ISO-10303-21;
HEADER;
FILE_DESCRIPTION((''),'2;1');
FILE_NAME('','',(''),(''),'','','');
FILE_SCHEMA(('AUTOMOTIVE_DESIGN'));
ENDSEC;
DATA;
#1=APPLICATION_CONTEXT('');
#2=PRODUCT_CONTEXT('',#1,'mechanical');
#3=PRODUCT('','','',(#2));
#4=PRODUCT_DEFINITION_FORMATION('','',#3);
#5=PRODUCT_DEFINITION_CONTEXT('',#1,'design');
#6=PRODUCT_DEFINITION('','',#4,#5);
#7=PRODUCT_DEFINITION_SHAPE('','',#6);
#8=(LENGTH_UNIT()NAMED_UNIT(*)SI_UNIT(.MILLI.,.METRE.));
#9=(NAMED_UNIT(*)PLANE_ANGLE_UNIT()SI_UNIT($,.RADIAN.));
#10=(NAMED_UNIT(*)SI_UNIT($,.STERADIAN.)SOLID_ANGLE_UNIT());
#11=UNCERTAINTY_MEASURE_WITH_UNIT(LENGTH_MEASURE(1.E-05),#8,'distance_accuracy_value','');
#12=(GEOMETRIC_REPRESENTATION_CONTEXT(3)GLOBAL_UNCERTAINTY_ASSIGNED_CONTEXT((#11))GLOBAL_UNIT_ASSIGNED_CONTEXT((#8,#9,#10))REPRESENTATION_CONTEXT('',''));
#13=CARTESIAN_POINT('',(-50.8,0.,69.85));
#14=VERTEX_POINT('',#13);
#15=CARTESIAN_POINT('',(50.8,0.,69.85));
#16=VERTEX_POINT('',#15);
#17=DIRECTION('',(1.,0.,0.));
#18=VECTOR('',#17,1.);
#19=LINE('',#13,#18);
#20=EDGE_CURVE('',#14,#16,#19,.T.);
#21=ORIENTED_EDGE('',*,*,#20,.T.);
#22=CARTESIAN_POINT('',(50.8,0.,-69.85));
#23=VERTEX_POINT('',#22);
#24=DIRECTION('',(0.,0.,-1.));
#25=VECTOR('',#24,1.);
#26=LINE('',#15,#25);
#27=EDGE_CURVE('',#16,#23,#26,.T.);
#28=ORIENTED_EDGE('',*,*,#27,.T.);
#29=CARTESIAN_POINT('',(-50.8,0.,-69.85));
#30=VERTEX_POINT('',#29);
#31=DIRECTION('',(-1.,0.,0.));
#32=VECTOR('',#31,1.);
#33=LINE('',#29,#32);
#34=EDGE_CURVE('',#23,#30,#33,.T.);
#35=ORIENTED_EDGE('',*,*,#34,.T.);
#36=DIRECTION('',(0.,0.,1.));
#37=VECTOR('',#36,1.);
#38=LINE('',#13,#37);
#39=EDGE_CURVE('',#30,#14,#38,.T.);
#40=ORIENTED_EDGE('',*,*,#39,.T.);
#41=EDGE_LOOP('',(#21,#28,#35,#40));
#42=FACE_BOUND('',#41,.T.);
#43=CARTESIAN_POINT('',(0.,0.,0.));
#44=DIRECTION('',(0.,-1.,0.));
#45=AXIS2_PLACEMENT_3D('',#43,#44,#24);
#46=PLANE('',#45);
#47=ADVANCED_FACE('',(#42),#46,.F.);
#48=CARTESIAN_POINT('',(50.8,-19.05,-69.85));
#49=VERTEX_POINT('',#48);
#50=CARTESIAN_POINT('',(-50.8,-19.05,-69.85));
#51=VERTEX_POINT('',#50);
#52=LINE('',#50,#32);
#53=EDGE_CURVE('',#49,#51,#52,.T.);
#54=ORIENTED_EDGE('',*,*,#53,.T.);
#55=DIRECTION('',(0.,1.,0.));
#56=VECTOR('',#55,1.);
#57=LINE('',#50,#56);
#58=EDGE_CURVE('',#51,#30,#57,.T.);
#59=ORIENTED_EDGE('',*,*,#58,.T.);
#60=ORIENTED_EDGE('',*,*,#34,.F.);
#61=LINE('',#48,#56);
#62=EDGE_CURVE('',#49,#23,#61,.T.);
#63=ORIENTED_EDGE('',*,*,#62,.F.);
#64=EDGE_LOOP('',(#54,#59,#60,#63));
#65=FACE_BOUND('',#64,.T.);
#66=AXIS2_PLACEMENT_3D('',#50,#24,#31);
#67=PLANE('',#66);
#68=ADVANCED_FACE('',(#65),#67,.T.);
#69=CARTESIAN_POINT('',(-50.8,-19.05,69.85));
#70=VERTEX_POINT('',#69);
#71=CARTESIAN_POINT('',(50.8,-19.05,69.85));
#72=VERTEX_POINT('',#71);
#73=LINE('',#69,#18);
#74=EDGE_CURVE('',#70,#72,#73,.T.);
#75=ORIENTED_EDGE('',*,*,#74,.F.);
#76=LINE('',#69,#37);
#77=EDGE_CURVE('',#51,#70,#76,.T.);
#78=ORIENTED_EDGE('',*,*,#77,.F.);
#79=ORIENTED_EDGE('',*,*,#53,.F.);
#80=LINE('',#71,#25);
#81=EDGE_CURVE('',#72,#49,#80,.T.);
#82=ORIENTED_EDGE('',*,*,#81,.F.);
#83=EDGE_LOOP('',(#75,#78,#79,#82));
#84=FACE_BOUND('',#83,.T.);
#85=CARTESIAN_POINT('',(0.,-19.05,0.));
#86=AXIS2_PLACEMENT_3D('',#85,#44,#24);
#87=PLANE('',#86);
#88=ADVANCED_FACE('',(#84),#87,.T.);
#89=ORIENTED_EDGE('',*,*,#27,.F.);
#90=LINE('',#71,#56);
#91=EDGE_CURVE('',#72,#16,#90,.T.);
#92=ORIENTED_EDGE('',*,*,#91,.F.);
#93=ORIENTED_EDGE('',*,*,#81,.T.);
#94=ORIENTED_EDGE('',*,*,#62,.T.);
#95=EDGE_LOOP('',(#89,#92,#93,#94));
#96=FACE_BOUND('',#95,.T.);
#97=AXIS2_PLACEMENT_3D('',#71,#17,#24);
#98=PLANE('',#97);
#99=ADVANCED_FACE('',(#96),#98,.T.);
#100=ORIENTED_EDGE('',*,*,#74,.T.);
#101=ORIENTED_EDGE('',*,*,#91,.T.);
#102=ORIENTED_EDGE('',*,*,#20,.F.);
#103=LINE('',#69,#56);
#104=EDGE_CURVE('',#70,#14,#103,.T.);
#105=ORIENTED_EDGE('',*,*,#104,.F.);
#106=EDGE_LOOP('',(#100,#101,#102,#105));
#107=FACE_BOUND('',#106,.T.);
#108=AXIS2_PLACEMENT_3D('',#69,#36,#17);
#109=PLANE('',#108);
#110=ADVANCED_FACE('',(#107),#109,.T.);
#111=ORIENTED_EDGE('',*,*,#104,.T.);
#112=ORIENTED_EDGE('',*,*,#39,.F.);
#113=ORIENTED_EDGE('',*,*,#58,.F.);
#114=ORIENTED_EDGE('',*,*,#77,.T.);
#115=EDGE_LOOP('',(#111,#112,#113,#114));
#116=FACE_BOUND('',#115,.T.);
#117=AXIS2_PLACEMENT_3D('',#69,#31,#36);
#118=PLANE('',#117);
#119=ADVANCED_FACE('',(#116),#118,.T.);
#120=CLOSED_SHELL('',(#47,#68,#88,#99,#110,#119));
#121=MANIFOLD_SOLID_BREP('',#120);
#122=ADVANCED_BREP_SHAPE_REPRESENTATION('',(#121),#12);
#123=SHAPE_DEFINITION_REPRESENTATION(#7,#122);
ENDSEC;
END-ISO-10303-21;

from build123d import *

# Parameters (mm, degrees)
SKETCH1_W           = 101.6
SKETCH1_H           = 139.7
BOSS_EXTRUDE1_DEPTH = 19.05


with BuildPart() as part:
    # Sketch1 → Boss-Extrude1 (new body)
    with BuildSketch(Plane(origin=(0, 0, 0), x_dir=(1, 0, 0), z_dir=(0, 1, 0))):
        Rectangle(SKETCH1_W, SKETCH1_H)
    extrude(amount=-BOSS_EXTRUDE1_DEPTH)


solid = part.part
